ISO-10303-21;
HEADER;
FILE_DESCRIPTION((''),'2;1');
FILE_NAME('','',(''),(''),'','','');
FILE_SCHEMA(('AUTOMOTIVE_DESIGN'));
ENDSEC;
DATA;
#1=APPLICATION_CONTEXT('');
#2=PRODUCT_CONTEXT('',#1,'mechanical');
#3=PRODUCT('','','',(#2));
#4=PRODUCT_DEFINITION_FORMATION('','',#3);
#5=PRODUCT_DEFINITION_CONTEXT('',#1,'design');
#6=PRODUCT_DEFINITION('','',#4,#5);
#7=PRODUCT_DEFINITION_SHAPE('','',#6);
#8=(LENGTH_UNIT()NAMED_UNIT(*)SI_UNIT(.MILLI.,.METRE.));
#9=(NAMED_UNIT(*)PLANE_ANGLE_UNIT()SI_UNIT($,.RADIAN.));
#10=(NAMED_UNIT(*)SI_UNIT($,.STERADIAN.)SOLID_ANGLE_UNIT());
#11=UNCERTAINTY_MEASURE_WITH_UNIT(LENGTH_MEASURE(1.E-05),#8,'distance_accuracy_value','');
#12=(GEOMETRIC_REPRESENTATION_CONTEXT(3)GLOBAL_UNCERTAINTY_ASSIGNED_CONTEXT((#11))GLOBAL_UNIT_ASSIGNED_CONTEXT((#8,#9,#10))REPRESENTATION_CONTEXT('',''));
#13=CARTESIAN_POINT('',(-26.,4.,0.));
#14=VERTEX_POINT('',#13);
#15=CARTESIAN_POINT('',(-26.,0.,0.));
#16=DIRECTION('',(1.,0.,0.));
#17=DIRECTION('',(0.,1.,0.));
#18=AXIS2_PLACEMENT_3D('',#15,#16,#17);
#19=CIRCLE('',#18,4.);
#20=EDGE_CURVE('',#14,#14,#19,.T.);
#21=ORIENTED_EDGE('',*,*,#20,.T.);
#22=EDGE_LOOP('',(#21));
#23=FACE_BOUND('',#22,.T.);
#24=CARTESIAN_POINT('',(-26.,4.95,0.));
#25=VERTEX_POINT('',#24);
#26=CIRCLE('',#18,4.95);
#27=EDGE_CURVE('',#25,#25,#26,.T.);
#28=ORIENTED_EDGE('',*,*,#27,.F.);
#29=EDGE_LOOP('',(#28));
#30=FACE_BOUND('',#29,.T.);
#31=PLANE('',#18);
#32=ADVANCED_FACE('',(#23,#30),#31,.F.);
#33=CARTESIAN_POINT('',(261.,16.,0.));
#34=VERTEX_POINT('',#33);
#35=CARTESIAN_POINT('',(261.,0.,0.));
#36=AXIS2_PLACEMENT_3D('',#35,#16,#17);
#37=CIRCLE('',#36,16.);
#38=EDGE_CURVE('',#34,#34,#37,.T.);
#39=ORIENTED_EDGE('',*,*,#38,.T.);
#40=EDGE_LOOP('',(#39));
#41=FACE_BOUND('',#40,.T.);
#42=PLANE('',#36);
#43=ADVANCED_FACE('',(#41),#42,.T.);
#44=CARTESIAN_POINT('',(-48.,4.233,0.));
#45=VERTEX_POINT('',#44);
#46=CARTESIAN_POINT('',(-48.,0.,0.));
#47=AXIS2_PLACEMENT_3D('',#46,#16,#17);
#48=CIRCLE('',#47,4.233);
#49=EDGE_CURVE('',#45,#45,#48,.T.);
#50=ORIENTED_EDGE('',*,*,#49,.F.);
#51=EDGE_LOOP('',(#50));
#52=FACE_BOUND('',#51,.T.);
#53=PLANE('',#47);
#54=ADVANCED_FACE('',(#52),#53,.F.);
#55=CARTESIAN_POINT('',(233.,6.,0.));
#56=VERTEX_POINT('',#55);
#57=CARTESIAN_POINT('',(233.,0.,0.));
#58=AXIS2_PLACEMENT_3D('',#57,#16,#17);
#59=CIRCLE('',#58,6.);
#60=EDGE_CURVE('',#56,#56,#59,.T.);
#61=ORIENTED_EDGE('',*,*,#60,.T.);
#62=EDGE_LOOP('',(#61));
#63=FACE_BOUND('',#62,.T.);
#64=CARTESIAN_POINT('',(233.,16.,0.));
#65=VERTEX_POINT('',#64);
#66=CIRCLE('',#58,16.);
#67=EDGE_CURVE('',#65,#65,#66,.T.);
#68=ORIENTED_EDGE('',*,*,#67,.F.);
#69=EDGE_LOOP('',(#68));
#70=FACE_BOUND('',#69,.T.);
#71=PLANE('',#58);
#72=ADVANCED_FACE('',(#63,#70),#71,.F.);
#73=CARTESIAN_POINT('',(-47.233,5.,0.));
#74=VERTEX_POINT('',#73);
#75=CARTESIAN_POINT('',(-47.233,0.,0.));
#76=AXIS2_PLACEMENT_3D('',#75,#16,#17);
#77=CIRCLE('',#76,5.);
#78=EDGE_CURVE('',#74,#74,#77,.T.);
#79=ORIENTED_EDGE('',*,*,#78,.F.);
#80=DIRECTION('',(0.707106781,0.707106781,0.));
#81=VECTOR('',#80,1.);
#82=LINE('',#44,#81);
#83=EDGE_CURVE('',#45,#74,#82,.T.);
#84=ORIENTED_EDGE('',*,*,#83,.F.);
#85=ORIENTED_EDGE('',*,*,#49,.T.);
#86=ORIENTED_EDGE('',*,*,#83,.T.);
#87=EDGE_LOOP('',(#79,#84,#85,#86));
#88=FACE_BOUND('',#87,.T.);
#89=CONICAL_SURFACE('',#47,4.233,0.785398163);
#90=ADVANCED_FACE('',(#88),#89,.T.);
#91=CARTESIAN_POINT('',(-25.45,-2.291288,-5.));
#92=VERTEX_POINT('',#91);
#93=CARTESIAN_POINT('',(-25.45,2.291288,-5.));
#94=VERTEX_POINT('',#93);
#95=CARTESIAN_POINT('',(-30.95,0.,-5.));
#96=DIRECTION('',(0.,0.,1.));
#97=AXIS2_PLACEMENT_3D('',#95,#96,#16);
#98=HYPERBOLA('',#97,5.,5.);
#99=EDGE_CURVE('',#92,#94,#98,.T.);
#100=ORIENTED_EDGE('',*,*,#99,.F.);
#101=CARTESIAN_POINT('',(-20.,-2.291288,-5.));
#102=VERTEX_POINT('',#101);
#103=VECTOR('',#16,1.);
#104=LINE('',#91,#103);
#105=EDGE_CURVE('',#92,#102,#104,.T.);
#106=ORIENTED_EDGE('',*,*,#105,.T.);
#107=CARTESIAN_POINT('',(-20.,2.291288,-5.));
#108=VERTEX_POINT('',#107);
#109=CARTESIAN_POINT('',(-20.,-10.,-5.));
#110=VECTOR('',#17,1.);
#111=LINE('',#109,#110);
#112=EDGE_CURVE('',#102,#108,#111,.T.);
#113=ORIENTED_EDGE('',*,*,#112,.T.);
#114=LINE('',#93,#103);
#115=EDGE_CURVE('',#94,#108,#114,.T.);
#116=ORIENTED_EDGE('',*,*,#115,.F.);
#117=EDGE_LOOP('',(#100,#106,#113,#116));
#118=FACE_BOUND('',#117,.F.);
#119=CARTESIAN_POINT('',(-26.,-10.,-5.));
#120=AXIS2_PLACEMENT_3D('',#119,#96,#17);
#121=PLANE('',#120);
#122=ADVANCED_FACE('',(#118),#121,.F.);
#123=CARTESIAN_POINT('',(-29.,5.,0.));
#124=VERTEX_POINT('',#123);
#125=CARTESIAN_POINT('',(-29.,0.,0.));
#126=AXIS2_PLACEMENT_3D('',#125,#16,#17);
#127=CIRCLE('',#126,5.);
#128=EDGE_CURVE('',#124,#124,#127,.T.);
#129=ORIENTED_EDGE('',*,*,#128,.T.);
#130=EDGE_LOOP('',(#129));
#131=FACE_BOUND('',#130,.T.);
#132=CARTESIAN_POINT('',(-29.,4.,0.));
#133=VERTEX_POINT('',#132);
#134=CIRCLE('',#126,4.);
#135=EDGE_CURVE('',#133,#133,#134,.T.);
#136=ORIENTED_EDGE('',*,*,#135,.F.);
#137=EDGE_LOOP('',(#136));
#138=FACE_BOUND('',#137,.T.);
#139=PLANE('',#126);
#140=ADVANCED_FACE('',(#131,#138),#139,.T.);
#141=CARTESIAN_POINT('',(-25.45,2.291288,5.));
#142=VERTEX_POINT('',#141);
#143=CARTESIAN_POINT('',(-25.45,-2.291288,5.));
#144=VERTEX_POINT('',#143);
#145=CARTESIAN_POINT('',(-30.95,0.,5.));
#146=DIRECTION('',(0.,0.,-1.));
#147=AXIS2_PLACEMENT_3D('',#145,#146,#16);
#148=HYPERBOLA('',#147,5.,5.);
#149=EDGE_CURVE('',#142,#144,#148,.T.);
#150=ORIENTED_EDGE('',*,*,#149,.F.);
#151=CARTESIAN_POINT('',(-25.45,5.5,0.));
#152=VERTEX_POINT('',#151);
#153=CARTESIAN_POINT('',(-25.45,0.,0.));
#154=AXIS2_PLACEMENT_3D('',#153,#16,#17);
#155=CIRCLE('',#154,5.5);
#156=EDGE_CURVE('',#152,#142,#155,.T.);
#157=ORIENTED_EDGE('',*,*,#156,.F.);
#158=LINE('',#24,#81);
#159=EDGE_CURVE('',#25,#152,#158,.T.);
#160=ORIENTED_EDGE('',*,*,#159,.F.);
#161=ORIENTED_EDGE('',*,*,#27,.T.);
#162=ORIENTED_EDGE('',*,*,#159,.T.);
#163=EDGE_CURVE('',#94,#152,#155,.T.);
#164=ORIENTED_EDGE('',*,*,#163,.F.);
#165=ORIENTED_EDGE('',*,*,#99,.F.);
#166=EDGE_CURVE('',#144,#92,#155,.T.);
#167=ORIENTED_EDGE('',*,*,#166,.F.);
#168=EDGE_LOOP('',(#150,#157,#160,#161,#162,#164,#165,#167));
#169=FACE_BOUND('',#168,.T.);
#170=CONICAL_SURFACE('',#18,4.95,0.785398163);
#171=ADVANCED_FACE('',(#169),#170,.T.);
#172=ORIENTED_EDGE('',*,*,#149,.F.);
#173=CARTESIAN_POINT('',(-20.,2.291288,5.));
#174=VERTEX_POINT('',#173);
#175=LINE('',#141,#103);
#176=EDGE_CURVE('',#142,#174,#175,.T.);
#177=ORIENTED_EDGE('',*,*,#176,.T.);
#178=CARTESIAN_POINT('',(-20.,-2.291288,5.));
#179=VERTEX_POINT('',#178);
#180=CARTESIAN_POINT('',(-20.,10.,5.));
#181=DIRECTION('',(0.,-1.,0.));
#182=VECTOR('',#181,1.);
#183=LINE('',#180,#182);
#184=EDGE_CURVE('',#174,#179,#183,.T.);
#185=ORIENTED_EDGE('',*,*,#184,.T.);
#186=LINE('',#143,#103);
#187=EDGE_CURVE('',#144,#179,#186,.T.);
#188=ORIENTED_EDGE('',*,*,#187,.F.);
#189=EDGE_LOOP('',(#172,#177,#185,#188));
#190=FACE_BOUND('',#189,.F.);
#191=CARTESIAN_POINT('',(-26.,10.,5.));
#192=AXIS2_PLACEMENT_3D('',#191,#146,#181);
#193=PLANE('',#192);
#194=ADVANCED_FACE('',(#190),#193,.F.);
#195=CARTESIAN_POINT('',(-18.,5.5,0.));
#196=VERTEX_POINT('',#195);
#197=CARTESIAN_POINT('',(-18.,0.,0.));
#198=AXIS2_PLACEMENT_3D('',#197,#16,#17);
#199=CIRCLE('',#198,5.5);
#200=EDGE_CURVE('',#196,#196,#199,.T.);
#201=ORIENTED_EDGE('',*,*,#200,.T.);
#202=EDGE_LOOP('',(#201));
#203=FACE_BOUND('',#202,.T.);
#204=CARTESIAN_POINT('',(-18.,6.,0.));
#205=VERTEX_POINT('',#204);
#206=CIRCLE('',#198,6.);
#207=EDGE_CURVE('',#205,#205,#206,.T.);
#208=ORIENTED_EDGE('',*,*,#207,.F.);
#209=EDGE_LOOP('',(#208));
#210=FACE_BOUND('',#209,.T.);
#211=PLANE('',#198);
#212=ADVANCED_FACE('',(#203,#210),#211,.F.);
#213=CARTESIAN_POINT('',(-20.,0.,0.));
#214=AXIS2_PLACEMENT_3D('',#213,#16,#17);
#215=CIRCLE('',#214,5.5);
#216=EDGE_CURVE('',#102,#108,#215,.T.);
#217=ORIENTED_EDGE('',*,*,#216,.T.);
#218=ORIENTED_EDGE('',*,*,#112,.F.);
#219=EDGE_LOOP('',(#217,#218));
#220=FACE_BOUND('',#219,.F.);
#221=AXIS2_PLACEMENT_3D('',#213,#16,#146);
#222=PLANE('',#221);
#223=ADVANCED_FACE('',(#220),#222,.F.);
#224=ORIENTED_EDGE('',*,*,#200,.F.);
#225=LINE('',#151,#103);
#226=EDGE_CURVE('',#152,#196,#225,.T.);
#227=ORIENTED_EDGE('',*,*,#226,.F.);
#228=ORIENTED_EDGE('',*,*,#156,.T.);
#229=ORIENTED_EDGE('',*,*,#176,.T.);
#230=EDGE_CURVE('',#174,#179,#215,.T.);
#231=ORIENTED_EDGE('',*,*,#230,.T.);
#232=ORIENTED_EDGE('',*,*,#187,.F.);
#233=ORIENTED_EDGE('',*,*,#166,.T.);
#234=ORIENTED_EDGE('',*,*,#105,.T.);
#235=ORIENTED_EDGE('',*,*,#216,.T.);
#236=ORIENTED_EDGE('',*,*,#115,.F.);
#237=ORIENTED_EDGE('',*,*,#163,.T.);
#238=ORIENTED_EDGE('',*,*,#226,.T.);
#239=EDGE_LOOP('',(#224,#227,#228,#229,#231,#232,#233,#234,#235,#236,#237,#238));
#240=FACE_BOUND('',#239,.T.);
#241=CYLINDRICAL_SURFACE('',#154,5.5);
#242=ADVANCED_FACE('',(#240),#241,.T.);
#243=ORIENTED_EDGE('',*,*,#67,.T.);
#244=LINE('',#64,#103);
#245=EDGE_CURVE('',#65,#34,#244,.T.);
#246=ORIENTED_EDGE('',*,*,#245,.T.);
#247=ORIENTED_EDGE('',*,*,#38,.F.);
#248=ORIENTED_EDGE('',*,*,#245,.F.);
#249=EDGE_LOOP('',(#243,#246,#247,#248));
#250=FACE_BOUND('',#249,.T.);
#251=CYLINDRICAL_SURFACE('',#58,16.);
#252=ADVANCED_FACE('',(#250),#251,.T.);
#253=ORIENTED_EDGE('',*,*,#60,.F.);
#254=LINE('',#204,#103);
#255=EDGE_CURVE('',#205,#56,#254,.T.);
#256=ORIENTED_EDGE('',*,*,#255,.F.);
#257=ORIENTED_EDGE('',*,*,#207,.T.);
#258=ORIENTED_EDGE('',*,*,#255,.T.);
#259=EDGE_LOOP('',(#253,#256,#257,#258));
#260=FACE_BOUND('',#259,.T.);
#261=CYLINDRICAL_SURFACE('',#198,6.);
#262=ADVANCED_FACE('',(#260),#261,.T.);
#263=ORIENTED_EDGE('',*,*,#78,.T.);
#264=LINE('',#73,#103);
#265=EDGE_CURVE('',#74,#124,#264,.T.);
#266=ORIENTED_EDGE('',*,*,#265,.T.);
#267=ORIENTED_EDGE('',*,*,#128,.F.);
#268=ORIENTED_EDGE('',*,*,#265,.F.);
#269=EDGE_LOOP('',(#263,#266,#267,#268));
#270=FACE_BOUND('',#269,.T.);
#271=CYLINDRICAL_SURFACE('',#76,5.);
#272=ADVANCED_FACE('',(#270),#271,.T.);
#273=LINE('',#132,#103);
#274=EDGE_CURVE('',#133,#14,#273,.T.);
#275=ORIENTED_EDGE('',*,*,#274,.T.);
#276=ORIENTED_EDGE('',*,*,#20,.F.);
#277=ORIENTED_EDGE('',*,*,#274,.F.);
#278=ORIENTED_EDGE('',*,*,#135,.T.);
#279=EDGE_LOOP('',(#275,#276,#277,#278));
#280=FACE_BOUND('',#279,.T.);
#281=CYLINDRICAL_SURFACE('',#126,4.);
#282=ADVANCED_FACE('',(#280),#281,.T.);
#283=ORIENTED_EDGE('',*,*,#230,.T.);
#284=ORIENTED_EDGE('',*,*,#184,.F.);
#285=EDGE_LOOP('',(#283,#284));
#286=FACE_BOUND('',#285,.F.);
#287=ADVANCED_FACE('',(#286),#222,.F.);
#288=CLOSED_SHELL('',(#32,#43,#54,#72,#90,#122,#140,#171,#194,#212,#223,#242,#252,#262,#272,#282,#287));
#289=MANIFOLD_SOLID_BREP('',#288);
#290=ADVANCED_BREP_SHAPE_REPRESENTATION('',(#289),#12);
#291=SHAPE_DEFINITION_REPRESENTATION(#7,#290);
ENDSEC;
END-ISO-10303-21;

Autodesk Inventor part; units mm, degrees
sketch "Sketch_1" plane through (0, 0, 0) normal (0, 0, 1) x (1, 0, 0)
  line L0 (261, 0) -> (-48, 0)
  line L1 (-48, 0) -> (-48, 4.233)
  line L2 (-48, 4.233) -> (-47.233, 5)
  line L3 (-47.233, 5) -> (-29, 5)
  line L4 (-29, 5) -> (-29, 4)
  line L5 (-29, 4) -> (-26, 4)
  line L6 (-26, 4) -> (-26, 4.95)
  line L7 (-26, 4.95) -> (-25.45, 5.5)
  line L8 (-25.45, 5.5) -> (-18, 5.5)
  line L9 (-18, 5.5) -> (-18, 6)
  line L10 (-18, 6) -> (233, 6)
  line L11 (233, 6) -> (233, 16)
  line L12 (233, 16) -> (261, 16)
  line L13 (261, 16) -> (261, 0)
  line L14 (261, 0) -> (-48, 0)
revolve "Revolution1" add sketch "Sketch_1" angle 360 about axis through (261, 0, 0) along (1, 0, 0)
thread "Thread1" size "M10x1.25" class "6g" standard "ISO Metric profile" full length
sketch "Sketch_3" plane through (-26, 0, 0) normal (1, 0, 0) x (0, 0, -1)
  line L0 (-10, -20) -> (10, -20)
  line L1 (10, -20) -> (10, 20)
  line L2 (10, 20) -> (-10, 20)
  line L3 (-10, 20) -> (-10, -20)
  line L4 (-5, -10) -> (5, -10)
  line L5 (5, -10) -> (5, 10)
  line L6 (5, 10) -> (-5, 10)
  line L7 (-5, 10) -> (-5, -10)
extrude "Extrusion1" cut sketch "Sketch_3" along normal blind 6
ref_plane "accessories_l_XY" through (-38.5, 0, 0) normal (-1, 0, 0) x (0, 0, -1)
ref_plane "accessories_l_YZ" through (-38.5, 0, 0) normal (0, 0, -1) x (0, -1, 0)
ref_plane "accessories_l_ZX" through (-38.5, 0, 0) normal (0, -1, 0) x (-1, 0, 0)
ref_plane "rod_XY" through (0, 0, 0) normal (1, 0, 0) x (0, 0, -1)
ref_plane "rod_YZ" through (0, 0, 0) normal (0, 0, -1) x (0, 1, 0)
ref_plane "rod_ZX" through (0, 0, 0) normal (0, 1, 0) x (1, 0, 0)
properties part number "32121200-s3"
